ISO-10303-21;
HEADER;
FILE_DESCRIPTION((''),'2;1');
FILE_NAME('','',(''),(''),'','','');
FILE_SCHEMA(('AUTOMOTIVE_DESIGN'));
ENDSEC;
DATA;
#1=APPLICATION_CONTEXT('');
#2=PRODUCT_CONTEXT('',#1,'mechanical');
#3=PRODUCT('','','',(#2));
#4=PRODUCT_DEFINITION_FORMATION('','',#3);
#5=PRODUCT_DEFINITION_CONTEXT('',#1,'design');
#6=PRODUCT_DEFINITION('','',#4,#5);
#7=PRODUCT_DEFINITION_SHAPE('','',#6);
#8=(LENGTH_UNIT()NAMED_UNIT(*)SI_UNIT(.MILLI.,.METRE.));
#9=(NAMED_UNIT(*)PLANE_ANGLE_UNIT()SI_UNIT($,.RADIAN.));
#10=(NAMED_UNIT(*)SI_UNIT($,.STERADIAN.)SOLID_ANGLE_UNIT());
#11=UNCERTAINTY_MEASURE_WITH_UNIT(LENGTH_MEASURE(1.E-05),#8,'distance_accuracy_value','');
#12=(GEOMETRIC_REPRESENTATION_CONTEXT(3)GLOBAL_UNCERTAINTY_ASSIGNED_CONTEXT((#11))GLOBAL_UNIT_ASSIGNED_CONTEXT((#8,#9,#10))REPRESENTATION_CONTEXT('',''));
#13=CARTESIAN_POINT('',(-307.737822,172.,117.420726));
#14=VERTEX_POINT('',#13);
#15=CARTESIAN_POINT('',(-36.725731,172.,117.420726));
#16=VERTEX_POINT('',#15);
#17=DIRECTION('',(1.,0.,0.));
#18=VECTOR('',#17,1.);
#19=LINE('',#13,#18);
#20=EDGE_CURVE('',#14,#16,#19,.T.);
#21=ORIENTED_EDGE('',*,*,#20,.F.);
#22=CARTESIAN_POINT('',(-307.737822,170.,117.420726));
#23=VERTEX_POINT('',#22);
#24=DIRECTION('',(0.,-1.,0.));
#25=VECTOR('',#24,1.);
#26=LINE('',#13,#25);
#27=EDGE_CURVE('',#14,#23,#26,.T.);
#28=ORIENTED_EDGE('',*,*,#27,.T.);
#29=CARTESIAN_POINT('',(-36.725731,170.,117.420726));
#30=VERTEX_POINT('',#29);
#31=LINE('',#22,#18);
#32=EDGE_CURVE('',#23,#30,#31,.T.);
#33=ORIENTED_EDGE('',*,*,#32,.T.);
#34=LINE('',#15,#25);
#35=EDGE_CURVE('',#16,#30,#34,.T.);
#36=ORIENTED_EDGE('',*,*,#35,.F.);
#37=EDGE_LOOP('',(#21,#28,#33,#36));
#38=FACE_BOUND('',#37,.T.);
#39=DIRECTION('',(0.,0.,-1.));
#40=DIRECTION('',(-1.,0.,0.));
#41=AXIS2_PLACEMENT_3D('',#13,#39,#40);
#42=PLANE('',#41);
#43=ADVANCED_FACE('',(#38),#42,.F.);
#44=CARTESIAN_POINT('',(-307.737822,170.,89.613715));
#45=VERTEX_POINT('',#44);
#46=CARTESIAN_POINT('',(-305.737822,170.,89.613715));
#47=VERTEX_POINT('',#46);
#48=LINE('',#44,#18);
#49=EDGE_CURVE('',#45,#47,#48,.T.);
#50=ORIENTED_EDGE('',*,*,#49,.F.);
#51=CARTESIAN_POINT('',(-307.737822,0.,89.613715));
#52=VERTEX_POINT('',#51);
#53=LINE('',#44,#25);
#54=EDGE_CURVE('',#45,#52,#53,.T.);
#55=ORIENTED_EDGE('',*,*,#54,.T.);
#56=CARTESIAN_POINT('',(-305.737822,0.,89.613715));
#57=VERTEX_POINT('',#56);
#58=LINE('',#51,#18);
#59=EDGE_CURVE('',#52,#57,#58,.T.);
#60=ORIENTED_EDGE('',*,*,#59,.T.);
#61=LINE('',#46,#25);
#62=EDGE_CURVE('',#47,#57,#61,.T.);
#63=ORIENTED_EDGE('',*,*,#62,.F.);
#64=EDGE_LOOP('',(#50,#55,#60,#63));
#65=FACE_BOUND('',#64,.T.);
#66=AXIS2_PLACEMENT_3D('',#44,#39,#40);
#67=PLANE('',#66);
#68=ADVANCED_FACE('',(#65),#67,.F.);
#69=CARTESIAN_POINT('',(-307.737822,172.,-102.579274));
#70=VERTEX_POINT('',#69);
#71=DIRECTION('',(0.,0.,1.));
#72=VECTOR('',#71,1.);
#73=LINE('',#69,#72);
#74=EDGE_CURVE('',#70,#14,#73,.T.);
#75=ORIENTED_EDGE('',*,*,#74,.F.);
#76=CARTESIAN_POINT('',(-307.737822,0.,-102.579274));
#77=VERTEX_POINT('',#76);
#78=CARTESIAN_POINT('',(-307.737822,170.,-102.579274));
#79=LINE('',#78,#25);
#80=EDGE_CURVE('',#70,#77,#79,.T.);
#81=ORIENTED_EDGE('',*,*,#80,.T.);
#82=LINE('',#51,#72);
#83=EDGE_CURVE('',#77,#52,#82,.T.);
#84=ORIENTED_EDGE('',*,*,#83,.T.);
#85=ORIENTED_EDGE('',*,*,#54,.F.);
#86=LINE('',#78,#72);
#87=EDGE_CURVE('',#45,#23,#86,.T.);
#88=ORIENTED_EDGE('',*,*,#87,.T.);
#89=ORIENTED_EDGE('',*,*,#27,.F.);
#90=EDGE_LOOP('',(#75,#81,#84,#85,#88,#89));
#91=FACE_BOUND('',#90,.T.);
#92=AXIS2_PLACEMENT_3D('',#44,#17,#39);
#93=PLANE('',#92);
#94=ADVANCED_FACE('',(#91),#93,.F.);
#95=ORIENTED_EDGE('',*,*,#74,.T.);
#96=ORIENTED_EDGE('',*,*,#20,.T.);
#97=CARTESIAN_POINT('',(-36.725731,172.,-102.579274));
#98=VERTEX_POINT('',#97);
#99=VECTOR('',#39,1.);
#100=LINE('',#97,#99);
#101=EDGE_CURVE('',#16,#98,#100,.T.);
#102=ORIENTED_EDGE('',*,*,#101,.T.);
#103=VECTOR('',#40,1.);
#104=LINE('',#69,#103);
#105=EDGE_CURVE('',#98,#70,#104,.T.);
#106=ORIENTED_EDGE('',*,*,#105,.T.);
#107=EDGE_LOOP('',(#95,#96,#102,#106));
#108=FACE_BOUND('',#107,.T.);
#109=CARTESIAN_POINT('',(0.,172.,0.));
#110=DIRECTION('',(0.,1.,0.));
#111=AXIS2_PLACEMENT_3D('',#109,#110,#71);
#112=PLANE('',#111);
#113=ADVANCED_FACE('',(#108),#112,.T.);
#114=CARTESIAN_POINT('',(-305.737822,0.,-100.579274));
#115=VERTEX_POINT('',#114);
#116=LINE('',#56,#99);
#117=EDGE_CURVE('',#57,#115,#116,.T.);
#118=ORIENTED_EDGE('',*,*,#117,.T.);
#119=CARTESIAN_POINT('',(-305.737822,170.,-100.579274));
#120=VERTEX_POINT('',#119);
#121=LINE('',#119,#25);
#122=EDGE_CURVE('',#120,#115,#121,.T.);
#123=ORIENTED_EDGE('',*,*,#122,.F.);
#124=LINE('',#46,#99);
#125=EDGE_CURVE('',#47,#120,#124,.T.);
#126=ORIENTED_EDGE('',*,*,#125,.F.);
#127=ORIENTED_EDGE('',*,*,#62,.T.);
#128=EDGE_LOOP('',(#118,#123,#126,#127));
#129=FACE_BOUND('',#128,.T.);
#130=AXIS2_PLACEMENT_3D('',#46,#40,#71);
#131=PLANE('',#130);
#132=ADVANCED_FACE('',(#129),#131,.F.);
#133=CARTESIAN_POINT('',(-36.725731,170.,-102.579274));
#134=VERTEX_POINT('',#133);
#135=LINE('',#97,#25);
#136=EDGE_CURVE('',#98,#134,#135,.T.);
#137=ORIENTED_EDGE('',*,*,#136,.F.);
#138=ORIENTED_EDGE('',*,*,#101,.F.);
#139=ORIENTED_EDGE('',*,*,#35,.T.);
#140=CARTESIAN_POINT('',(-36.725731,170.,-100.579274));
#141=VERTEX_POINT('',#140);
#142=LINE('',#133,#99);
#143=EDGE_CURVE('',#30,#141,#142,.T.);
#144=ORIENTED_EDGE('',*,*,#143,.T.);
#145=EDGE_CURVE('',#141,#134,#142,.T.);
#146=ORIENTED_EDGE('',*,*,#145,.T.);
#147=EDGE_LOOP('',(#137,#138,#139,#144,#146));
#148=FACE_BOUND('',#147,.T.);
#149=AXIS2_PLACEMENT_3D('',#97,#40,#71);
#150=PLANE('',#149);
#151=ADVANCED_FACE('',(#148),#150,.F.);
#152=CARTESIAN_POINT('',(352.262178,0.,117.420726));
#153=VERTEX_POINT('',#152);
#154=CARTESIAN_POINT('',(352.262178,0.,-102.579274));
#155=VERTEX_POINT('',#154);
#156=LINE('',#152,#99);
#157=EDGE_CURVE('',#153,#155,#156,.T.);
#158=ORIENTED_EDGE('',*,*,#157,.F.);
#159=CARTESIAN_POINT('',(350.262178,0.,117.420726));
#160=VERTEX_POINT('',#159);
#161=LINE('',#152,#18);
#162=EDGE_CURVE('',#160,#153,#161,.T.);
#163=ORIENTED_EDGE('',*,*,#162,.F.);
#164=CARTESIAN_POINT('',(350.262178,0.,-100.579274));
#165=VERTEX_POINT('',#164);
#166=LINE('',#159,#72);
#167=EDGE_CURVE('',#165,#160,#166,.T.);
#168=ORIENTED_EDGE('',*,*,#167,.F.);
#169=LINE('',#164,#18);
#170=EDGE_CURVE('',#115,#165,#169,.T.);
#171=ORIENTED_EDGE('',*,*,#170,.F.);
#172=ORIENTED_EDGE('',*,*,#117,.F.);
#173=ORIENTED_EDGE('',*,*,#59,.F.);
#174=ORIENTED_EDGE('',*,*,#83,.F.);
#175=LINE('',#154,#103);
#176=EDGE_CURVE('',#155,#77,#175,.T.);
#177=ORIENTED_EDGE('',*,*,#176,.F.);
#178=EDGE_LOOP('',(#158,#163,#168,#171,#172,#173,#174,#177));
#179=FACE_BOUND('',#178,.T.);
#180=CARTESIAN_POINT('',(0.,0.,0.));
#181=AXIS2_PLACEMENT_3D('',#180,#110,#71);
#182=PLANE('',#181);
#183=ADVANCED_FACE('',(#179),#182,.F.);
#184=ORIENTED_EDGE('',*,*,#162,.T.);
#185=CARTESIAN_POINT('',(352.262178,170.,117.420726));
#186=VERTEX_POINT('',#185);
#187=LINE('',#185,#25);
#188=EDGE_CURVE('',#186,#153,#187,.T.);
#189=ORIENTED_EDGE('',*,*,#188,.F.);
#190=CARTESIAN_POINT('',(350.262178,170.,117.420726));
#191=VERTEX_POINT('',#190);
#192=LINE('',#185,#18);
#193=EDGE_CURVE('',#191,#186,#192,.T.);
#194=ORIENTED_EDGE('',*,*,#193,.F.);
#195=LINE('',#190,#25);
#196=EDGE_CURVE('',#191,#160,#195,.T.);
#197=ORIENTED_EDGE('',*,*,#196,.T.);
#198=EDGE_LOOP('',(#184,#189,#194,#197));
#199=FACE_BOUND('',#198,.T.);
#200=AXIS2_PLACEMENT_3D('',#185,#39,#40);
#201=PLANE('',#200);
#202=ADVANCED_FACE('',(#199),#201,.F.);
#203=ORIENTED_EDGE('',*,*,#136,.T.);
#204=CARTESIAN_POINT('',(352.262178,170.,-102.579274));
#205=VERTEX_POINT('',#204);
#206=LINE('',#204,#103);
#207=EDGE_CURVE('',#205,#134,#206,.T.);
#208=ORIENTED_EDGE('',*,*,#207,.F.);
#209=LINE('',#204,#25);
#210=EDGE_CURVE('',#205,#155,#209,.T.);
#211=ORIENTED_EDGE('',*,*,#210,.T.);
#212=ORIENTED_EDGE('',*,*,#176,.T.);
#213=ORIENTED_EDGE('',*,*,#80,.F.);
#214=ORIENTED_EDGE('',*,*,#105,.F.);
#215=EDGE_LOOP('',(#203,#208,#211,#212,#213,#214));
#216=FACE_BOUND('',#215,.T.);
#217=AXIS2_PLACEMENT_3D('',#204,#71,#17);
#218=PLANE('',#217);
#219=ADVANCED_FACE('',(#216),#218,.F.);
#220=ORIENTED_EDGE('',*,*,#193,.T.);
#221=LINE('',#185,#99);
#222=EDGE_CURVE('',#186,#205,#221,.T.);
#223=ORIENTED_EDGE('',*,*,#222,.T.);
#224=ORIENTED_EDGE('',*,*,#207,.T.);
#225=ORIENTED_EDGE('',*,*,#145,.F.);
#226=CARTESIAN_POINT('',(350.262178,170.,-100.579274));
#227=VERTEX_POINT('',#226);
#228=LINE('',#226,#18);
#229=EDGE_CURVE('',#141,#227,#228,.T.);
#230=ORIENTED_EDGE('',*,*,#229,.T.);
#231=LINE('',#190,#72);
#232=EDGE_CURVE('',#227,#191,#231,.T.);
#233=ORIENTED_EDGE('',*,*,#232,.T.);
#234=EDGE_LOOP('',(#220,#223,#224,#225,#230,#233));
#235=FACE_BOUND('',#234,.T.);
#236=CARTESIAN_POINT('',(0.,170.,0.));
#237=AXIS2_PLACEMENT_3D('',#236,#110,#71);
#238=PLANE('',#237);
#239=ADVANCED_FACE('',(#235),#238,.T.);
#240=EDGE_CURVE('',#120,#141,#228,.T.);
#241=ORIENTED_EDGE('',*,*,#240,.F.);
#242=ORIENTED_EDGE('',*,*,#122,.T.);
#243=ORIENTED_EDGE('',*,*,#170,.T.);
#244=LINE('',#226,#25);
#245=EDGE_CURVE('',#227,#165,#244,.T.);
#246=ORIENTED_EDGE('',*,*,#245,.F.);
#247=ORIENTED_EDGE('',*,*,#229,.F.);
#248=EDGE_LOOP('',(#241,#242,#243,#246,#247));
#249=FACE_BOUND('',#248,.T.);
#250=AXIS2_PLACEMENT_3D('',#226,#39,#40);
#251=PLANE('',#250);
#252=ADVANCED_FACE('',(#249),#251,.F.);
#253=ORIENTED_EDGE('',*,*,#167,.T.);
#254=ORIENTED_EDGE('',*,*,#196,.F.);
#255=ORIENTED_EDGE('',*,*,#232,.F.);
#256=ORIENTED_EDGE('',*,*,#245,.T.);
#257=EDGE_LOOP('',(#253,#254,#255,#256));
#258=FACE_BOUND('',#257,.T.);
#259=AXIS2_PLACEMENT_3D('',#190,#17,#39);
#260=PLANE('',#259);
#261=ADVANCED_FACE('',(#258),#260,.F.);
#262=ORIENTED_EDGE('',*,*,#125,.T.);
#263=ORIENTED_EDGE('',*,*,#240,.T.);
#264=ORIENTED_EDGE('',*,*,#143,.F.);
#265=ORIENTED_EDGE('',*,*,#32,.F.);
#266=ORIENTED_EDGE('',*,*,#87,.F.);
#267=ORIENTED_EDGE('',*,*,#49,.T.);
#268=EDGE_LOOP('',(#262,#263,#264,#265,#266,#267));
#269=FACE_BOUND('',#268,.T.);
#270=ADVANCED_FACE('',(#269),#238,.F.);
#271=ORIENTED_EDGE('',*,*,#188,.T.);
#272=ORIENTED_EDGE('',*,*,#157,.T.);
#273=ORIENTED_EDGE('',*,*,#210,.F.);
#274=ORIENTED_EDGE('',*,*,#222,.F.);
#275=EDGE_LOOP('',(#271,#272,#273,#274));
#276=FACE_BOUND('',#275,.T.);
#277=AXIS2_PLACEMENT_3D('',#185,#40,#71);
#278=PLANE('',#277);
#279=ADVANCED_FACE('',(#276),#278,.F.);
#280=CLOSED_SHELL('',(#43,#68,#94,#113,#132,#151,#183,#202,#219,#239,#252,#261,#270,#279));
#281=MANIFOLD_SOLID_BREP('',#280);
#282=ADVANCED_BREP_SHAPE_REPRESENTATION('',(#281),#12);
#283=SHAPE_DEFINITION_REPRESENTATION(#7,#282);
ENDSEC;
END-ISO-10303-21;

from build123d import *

# Parameters (mm, degrees)
SALIENTE_EXTRUIR1_DEPTH = 170
CROQUIS2_W              = 271.012090605
CROQUIS2_H              = 220
SALIENTE_EXTRUIR2_DEPTH = 2


with BuildPart() as part:
    # Croquis1 → Saliente-Extruir1 (new body)
    with BuildSketch(Plane(origin=(0, 0, 0), x_dir=(1, 0, 0), z_dir=(0, 1, 0))):
        Polygon((-305.737821636, -89.613714521), (-305.737821636, 100.579273879), (350.262178364, 100.579273879), (350.262178364, -117.420726121), (352.262178364, -117.420726121), (352.262178364, 102.579273879), (-307.737821636, 102.579273879), (-307.737821636, -89.613714521), align=None)
    extrude(amount=SALIENTE_EXTRUIR1_DEPTH)

    # Croquis2 → Saliente-Extruir2 (add)
    with BuildSketch(Plane(origin=(0, 170, 0), x_dir=(1, 0, 0), z_dir=(0, 1, 0))):
        with Locations((-172.231776334, -7.420726121)):
            Rectangle(CROQUIS2_W, CROQUIS2_H)
    extrude(amount=SALIENTE_EXTRUIR2_DEPTH)


solid = part.part
